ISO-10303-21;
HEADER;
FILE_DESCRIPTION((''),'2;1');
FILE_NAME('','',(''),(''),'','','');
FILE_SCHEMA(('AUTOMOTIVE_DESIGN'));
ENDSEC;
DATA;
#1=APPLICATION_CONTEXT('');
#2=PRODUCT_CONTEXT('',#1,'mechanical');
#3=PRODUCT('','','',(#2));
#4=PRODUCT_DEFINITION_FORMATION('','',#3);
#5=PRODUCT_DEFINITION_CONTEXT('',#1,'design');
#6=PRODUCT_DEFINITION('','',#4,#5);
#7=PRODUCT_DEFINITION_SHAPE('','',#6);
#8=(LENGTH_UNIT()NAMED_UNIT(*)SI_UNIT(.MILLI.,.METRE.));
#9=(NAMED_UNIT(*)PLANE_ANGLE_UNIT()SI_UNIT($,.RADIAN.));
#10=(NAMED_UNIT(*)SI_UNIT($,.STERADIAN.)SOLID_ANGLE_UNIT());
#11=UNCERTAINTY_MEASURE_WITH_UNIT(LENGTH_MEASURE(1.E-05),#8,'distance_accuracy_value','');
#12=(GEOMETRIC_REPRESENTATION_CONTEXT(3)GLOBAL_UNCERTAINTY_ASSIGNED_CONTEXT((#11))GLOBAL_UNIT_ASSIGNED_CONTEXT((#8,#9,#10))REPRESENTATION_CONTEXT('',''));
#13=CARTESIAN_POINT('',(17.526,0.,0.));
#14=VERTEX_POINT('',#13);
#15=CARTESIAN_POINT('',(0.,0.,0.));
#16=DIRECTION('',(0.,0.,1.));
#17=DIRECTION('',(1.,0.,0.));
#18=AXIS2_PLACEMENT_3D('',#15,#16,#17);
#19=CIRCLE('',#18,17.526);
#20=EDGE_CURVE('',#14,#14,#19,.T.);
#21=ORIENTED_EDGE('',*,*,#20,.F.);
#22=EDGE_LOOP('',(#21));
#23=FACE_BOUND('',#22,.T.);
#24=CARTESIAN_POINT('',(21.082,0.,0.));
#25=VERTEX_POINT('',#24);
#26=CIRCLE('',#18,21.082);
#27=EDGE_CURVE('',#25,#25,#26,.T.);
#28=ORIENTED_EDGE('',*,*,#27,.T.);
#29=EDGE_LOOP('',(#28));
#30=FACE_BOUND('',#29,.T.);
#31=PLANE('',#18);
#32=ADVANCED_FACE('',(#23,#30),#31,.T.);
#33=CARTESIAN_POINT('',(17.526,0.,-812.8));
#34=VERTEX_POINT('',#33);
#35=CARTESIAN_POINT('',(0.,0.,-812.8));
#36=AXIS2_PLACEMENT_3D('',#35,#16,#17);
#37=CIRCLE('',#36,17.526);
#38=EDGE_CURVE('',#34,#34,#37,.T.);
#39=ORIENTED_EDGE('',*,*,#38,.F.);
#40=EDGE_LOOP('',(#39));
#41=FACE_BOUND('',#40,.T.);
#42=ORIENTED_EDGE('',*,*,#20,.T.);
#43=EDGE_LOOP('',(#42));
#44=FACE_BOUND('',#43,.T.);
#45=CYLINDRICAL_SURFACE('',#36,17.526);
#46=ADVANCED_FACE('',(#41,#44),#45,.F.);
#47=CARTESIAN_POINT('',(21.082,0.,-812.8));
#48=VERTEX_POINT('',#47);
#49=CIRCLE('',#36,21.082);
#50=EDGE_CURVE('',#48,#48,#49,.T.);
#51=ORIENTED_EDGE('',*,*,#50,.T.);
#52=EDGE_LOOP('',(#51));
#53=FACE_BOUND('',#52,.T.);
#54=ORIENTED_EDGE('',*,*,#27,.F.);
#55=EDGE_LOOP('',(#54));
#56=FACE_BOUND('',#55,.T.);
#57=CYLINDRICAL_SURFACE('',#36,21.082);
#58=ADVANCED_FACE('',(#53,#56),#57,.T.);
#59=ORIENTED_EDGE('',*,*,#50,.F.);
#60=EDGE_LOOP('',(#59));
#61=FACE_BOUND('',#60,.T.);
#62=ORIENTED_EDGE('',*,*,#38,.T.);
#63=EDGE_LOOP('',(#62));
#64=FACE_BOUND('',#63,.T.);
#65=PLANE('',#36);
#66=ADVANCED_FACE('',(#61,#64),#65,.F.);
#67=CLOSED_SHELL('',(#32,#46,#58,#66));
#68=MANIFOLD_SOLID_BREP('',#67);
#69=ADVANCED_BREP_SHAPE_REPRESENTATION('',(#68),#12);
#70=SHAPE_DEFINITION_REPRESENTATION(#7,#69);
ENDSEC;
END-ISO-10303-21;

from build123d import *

# Parameters (mm, degrees)
SKETCH1_R           = 21.082
SKETCH1_R_2         = 17.526
BOSS_EXTRUDE1_DEPTH = 812.8


with BuildPart() as part:
    # Sketch1 → Boss-Extrude1 (new body)
    with BuildSketch(Plane.XY):
        Circle(SKETCH1_R)
        Circle(SKETCH1_R_2, mode=Mode.SUBTRACT)
    extrude(amount=-BOSS_EXTRUDE1_DEPTH)


solid = part.part
